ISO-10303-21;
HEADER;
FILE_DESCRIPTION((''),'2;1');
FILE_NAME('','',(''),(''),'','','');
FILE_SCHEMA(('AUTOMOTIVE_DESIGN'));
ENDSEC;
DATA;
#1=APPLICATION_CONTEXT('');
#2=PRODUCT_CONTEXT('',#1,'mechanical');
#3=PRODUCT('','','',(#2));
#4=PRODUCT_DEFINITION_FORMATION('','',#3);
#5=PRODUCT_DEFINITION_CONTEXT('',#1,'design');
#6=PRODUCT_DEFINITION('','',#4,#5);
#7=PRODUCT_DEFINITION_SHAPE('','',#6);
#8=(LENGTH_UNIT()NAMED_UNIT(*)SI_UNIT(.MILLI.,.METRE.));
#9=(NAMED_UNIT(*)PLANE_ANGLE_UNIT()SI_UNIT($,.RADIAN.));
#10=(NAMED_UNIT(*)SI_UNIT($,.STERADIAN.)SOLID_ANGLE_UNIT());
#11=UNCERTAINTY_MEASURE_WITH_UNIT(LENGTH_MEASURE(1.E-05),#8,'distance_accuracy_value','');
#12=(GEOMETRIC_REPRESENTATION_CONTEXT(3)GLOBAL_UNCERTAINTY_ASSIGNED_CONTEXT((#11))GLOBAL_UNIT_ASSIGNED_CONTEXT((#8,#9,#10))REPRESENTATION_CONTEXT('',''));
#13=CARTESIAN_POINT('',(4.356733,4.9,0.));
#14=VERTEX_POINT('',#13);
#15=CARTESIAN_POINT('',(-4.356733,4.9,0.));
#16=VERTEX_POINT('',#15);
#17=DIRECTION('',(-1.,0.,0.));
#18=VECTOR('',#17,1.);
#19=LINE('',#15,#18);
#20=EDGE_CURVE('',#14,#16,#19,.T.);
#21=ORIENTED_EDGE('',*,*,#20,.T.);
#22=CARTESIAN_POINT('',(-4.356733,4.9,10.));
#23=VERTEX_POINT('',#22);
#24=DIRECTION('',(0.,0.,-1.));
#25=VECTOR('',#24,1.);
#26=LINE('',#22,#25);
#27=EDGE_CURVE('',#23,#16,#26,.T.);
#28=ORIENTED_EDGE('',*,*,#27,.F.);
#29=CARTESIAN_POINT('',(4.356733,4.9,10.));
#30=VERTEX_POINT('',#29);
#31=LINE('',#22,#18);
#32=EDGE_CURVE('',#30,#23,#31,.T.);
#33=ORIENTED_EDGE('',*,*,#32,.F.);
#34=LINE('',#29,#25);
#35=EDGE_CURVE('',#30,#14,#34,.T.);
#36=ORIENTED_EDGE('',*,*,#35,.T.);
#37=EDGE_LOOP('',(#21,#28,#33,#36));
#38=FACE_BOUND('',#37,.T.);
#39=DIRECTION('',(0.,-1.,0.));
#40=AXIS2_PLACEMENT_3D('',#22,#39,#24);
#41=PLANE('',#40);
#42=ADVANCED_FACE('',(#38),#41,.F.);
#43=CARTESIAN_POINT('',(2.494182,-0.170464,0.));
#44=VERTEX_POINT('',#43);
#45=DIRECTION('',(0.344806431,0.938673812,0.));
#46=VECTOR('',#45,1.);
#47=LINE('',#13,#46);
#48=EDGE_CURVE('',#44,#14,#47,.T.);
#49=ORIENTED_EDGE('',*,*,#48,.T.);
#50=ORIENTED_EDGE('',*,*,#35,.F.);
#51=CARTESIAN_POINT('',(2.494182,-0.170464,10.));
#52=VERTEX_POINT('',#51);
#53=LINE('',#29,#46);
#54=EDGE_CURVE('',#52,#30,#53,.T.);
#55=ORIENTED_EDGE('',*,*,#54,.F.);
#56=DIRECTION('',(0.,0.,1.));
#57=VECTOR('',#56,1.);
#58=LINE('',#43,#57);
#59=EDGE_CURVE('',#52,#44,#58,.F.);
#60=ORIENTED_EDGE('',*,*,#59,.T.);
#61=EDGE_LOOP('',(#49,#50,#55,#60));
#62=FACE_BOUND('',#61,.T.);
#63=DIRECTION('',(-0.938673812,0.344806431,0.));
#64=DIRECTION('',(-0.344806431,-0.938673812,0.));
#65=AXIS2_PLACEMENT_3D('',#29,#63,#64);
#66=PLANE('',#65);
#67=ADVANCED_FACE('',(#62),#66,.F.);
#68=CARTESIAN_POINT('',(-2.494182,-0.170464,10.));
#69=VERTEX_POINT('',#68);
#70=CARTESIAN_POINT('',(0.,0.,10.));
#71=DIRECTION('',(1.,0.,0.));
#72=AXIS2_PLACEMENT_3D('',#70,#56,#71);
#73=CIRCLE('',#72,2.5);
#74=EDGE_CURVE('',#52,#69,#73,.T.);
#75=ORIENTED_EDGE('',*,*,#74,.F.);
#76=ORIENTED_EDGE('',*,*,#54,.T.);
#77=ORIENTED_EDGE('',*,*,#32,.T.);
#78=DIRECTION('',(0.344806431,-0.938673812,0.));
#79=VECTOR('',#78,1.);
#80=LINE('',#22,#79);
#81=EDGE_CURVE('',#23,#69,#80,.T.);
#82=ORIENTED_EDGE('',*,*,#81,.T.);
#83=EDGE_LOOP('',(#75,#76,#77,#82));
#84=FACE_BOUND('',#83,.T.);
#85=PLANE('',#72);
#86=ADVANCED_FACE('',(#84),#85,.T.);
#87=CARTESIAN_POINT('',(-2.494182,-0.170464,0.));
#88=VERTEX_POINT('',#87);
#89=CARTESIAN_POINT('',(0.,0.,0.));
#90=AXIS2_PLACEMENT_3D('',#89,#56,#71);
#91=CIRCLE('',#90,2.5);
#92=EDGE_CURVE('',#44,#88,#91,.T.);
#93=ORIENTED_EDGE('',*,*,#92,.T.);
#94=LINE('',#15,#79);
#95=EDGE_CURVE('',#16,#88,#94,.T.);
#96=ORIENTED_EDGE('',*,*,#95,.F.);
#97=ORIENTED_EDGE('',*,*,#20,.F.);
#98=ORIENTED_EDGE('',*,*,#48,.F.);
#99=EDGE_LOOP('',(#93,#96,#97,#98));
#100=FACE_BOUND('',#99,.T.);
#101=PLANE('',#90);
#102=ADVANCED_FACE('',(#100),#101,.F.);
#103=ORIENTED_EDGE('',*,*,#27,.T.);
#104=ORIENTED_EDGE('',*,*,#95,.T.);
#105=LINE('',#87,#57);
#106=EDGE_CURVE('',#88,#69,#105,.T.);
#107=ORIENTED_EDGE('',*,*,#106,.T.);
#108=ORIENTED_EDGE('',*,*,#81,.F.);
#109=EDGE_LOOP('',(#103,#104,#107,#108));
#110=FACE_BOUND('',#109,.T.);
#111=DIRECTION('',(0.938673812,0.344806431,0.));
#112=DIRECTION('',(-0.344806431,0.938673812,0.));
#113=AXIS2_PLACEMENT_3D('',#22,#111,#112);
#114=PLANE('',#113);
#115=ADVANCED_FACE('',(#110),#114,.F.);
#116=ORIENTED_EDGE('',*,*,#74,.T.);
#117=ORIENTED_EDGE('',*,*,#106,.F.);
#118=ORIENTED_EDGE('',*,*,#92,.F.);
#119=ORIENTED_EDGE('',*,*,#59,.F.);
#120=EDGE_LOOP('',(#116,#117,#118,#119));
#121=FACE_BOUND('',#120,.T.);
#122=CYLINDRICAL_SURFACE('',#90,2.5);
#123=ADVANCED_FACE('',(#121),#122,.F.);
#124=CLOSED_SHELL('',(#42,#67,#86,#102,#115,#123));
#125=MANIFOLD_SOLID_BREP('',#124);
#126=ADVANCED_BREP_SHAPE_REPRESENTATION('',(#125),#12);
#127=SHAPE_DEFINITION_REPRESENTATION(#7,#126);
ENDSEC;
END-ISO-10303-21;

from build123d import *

# Parameters (mm, degrees)
BOSS_EXTRUDE1_DEPTH = 10
SKETCH2_R           = 2.5
CUT_EXTRUDE1_DEPTH  = 11


with BuildPart() as part:
    # Sketch1 → Boss-Extrude1 (new body)
    with BuildSketch(Plane.XY):
        with BuildLine():
            Line((-4.35673336, 4.9), (-2.252817149, -0.827535434))
            ThreePointArc((-2.252817149, -0.827535434), (0, -2.4), (2.252817149, -0.827535434))
            Line((2.252817149, -0.827535434), (4.35673336, 4.9))
            Line((4.35673336, 4.9), (-4.35673336, 4.9))
        make_face()
    extrude(amount=BOSS_EXTRUDE1_DEPTH)

    # Sketch2 → Cut-Extrude1 (cut, through all)
    with BuildSketch(Plane.XY.offset(10)):
        Circle(SKETCH2_R)
    extrude(amount=-CUT_EXTRUDE1_DEPTH, mode=Mode.SUBTRACT)


solid = part.part
